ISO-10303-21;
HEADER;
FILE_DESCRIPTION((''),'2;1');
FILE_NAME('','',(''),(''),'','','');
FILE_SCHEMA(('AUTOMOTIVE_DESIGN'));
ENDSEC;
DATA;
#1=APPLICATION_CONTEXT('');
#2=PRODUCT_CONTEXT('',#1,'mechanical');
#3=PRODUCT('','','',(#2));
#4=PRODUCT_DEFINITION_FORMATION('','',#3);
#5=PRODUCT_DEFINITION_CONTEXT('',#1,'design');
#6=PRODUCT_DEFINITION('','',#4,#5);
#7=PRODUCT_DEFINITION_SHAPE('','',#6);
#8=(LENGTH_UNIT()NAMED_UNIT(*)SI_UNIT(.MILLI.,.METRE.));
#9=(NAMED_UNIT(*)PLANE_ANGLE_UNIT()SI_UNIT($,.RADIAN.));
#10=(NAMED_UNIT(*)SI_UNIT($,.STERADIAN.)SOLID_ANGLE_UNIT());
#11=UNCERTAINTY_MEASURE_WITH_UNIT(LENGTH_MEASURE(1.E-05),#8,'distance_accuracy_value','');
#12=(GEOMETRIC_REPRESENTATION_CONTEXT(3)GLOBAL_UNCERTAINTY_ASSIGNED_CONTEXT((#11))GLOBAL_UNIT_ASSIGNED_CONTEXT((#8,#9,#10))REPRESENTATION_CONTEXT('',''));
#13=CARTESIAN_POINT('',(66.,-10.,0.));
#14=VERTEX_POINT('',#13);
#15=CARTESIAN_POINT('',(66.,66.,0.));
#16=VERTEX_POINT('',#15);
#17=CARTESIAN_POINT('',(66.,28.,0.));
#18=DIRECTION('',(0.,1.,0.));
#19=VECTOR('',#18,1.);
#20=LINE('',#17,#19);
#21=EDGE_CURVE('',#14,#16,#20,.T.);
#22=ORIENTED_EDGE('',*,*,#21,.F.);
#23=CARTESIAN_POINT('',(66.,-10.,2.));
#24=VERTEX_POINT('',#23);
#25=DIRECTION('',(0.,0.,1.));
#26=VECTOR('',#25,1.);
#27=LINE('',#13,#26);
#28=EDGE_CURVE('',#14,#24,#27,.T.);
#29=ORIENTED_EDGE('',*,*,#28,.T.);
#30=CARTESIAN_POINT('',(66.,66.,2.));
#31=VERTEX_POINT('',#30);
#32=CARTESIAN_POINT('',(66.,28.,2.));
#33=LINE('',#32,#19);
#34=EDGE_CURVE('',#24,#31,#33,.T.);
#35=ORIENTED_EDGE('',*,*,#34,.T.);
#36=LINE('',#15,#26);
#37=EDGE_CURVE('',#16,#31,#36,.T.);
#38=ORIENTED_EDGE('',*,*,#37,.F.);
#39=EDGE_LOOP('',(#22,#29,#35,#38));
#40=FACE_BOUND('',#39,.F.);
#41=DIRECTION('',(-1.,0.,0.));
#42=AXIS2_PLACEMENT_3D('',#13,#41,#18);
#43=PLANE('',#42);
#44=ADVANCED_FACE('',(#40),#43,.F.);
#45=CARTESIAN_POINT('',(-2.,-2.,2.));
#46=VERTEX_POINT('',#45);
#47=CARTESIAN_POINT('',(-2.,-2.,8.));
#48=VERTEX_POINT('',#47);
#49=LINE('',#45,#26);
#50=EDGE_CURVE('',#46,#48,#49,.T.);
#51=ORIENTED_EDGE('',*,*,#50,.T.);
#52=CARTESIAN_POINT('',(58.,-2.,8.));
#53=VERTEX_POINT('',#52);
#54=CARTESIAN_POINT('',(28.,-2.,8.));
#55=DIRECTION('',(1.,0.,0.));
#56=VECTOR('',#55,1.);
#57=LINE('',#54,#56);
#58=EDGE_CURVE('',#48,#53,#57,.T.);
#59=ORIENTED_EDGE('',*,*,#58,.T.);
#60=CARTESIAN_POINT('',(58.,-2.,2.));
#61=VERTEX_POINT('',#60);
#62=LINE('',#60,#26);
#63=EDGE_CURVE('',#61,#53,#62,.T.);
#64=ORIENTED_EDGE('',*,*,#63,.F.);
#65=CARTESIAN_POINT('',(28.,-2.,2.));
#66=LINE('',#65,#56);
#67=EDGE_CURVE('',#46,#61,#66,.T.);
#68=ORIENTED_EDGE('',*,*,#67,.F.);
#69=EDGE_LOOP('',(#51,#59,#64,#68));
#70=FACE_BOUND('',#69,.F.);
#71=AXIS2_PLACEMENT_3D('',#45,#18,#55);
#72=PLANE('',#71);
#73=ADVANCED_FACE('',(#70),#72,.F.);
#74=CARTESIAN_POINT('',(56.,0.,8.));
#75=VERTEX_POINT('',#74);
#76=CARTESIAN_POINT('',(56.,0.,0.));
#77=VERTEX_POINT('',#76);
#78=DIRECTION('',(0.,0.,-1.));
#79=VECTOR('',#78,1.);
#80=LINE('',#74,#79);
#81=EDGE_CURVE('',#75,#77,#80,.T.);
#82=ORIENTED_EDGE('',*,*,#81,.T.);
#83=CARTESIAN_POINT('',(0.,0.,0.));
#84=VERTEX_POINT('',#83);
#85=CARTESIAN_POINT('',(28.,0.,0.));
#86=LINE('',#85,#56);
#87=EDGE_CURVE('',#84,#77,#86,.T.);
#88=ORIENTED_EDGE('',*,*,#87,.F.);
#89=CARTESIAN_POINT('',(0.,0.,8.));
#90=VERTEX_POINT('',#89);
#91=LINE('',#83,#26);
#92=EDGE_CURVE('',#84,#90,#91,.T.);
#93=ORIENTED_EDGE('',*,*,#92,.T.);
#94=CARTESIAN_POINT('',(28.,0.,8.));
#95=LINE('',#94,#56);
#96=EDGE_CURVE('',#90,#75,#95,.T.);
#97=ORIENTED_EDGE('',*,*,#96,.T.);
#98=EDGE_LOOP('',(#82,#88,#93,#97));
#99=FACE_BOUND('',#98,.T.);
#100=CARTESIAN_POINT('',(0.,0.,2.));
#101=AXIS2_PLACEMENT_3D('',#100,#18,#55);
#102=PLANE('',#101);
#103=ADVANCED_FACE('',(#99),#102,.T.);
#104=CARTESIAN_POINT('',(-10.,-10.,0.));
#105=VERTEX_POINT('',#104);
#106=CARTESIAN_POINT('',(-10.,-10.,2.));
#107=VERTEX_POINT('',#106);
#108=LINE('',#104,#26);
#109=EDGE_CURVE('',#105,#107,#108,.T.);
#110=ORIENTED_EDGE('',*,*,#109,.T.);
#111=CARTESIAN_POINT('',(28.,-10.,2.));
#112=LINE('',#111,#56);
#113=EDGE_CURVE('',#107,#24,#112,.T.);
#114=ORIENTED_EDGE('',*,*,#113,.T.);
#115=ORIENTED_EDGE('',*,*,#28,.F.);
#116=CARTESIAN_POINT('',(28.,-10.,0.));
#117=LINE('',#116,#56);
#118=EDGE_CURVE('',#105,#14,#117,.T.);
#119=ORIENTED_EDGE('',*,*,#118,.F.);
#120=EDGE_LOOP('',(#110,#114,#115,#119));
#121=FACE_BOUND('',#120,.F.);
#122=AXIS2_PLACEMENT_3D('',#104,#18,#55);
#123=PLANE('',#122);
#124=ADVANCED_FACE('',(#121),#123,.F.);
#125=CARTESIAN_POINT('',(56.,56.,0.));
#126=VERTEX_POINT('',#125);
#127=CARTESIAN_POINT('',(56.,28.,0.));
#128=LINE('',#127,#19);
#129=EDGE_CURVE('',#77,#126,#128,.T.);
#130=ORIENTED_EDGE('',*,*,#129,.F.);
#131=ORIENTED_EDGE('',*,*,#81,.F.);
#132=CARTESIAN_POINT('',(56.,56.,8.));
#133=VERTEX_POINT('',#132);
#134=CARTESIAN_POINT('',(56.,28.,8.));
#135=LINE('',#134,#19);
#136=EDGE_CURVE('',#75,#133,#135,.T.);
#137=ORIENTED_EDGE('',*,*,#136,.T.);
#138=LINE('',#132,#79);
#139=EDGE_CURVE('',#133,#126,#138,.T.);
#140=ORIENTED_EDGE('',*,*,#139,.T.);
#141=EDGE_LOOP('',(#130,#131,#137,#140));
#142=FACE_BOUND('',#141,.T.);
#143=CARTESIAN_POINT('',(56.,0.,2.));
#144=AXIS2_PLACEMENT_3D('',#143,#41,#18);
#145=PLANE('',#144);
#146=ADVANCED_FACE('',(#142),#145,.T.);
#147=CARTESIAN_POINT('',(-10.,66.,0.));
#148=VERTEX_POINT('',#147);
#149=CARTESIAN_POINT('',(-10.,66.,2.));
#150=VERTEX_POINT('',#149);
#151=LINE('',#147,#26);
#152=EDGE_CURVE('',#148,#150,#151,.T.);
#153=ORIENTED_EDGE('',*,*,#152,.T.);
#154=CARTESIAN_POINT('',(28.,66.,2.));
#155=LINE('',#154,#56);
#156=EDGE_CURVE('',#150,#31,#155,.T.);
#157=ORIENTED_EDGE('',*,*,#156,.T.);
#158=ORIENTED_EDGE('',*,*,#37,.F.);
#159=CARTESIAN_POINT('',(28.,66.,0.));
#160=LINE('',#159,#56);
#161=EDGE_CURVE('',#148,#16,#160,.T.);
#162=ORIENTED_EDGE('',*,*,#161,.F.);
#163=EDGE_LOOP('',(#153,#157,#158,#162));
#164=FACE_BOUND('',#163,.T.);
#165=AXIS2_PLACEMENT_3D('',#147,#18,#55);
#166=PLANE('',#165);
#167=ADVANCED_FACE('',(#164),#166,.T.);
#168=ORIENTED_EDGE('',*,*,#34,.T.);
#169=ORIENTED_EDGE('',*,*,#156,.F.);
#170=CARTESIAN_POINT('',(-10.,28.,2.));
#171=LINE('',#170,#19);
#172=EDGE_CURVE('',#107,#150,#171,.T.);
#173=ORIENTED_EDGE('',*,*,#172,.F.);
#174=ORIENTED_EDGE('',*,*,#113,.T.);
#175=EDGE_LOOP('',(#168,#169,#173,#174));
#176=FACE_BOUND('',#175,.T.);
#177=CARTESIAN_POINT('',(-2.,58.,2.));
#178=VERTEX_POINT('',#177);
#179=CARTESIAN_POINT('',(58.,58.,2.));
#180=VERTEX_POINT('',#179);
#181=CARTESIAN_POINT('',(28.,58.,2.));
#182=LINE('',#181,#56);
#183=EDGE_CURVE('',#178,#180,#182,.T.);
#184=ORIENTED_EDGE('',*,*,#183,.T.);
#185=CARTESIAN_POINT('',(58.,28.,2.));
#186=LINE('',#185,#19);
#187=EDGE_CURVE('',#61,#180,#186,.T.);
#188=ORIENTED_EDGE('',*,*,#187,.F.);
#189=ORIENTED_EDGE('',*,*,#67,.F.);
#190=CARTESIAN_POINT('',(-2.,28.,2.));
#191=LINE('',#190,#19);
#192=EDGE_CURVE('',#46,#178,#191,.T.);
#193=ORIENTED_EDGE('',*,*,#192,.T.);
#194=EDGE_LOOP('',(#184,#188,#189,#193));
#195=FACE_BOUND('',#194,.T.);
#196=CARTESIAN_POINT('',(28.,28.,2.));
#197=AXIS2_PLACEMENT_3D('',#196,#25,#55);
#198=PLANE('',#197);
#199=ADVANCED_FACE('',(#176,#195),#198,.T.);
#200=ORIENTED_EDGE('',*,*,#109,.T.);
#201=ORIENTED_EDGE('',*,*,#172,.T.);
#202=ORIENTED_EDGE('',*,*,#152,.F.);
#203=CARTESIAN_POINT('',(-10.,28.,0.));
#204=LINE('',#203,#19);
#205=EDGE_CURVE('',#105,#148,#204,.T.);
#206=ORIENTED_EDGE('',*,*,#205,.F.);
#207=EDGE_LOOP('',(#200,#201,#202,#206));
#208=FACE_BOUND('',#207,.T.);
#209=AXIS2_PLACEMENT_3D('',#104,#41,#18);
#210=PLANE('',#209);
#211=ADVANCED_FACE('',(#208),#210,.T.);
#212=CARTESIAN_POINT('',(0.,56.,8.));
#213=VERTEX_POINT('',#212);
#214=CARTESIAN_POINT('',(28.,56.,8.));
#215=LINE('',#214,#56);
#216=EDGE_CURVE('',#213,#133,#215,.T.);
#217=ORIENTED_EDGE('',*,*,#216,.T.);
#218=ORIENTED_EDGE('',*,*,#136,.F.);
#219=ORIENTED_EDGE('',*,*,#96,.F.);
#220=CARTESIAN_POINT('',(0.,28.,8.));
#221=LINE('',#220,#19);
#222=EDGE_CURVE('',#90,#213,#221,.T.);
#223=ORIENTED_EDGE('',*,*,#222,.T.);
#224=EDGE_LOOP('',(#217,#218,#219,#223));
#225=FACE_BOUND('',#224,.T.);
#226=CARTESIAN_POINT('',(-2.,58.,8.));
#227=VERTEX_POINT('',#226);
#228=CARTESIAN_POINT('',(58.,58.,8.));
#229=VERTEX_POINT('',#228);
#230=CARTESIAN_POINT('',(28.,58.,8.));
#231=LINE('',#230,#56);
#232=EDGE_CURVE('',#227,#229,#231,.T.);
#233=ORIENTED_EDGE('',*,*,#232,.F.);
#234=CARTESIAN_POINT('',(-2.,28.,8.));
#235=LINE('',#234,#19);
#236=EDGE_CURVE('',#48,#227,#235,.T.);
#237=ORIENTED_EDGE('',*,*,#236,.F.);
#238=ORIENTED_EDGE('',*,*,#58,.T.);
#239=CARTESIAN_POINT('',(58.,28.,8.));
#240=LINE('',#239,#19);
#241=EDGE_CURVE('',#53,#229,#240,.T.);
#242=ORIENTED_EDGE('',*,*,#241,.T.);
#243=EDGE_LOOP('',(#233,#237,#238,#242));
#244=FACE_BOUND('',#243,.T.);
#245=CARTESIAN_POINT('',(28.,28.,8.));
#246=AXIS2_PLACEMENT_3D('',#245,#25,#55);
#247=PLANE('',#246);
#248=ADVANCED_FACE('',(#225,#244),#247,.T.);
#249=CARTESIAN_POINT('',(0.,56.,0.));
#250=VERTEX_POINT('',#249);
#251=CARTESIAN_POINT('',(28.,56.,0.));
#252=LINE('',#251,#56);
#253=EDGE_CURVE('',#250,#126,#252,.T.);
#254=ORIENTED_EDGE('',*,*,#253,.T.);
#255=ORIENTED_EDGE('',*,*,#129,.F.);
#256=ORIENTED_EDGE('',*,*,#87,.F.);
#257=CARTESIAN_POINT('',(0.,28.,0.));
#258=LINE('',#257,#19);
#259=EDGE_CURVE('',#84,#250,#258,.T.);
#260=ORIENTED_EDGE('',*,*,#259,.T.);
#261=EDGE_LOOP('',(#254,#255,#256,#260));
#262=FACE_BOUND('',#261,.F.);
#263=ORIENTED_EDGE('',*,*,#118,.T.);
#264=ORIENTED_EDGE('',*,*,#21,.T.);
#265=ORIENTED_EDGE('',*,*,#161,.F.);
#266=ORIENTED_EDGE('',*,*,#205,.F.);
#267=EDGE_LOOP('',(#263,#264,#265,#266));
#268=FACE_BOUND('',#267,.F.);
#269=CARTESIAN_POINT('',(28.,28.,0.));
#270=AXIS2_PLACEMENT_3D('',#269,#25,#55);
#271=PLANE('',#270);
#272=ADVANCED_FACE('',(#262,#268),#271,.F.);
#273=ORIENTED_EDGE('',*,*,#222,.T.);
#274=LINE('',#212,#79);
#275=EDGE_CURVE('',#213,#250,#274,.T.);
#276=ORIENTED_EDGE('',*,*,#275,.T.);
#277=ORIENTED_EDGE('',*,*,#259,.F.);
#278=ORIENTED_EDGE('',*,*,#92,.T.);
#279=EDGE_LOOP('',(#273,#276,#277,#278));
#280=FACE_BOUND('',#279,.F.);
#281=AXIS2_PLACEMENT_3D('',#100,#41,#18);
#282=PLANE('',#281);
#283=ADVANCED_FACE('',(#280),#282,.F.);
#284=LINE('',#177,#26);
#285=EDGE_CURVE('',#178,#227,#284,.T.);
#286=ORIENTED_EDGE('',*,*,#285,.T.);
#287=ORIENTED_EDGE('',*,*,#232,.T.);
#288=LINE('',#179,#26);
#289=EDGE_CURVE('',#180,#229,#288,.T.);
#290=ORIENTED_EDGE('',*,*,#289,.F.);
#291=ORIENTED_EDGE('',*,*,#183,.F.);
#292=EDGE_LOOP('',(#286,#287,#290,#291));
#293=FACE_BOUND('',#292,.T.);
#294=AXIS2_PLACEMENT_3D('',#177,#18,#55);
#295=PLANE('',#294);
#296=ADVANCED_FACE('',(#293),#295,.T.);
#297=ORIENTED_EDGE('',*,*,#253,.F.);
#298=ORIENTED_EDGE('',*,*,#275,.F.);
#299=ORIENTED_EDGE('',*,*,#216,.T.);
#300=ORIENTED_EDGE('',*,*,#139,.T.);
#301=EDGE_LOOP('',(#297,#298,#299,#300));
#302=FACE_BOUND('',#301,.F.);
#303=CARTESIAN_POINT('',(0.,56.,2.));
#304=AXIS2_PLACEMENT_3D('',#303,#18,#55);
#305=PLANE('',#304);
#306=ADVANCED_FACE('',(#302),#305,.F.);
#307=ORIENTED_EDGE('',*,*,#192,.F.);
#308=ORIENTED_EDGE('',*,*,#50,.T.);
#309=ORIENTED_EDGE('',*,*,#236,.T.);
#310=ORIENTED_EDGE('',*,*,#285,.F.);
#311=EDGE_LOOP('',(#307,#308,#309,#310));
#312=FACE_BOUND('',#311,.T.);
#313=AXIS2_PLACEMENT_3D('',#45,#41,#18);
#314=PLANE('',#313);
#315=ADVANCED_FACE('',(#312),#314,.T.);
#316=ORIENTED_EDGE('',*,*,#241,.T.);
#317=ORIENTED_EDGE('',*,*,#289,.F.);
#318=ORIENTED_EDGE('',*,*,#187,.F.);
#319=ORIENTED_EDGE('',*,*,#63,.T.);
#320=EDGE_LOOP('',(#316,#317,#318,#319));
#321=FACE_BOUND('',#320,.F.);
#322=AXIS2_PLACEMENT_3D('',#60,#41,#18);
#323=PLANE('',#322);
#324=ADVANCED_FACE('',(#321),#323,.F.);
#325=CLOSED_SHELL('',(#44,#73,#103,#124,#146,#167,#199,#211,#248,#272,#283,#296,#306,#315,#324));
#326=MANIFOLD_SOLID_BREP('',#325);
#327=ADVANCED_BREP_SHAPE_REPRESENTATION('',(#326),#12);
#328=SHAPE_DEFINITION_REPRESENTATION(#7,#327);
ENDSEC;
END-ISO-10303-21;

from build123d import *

# Parameters (mm, degrees)
F0_W     = 76
F0_H     = 76
F0_W_2   = 56
F0_H_2   = 56
F1_DEPTH = 2
F2_W     = 60
F2_H     = 60
F2_W_2   = 56
F2_H_2   = 56
F3_DEPTH = 6


with BuildPart() as f1:
    # F0 (on Top) → F1 (new body)
    with BuildSketch(Plane.XY):
        with Locations((28, 28)):
            Rectangle(F0_W, F0_H)
        with Locations((28, 28)):
            Rectangle(F0_W_2, F0_H_2, mode=Mode.SUBTRACT)
    extrude(amount=F1_DEPTH)

    # F2 (on face) → F3 (join)
    with BuildSketch(Plane.XY.offset(2)):
        with Locations((28, 28)):
            Rectangle(F2_W, F2_H)
        with Locations((28, 28)):
            Rectangle(F2_W_2, F2_H_2, mode=Mode.SUBTRACT)
    extrude(amount=F3_DEPTH)


solid = f1.part
